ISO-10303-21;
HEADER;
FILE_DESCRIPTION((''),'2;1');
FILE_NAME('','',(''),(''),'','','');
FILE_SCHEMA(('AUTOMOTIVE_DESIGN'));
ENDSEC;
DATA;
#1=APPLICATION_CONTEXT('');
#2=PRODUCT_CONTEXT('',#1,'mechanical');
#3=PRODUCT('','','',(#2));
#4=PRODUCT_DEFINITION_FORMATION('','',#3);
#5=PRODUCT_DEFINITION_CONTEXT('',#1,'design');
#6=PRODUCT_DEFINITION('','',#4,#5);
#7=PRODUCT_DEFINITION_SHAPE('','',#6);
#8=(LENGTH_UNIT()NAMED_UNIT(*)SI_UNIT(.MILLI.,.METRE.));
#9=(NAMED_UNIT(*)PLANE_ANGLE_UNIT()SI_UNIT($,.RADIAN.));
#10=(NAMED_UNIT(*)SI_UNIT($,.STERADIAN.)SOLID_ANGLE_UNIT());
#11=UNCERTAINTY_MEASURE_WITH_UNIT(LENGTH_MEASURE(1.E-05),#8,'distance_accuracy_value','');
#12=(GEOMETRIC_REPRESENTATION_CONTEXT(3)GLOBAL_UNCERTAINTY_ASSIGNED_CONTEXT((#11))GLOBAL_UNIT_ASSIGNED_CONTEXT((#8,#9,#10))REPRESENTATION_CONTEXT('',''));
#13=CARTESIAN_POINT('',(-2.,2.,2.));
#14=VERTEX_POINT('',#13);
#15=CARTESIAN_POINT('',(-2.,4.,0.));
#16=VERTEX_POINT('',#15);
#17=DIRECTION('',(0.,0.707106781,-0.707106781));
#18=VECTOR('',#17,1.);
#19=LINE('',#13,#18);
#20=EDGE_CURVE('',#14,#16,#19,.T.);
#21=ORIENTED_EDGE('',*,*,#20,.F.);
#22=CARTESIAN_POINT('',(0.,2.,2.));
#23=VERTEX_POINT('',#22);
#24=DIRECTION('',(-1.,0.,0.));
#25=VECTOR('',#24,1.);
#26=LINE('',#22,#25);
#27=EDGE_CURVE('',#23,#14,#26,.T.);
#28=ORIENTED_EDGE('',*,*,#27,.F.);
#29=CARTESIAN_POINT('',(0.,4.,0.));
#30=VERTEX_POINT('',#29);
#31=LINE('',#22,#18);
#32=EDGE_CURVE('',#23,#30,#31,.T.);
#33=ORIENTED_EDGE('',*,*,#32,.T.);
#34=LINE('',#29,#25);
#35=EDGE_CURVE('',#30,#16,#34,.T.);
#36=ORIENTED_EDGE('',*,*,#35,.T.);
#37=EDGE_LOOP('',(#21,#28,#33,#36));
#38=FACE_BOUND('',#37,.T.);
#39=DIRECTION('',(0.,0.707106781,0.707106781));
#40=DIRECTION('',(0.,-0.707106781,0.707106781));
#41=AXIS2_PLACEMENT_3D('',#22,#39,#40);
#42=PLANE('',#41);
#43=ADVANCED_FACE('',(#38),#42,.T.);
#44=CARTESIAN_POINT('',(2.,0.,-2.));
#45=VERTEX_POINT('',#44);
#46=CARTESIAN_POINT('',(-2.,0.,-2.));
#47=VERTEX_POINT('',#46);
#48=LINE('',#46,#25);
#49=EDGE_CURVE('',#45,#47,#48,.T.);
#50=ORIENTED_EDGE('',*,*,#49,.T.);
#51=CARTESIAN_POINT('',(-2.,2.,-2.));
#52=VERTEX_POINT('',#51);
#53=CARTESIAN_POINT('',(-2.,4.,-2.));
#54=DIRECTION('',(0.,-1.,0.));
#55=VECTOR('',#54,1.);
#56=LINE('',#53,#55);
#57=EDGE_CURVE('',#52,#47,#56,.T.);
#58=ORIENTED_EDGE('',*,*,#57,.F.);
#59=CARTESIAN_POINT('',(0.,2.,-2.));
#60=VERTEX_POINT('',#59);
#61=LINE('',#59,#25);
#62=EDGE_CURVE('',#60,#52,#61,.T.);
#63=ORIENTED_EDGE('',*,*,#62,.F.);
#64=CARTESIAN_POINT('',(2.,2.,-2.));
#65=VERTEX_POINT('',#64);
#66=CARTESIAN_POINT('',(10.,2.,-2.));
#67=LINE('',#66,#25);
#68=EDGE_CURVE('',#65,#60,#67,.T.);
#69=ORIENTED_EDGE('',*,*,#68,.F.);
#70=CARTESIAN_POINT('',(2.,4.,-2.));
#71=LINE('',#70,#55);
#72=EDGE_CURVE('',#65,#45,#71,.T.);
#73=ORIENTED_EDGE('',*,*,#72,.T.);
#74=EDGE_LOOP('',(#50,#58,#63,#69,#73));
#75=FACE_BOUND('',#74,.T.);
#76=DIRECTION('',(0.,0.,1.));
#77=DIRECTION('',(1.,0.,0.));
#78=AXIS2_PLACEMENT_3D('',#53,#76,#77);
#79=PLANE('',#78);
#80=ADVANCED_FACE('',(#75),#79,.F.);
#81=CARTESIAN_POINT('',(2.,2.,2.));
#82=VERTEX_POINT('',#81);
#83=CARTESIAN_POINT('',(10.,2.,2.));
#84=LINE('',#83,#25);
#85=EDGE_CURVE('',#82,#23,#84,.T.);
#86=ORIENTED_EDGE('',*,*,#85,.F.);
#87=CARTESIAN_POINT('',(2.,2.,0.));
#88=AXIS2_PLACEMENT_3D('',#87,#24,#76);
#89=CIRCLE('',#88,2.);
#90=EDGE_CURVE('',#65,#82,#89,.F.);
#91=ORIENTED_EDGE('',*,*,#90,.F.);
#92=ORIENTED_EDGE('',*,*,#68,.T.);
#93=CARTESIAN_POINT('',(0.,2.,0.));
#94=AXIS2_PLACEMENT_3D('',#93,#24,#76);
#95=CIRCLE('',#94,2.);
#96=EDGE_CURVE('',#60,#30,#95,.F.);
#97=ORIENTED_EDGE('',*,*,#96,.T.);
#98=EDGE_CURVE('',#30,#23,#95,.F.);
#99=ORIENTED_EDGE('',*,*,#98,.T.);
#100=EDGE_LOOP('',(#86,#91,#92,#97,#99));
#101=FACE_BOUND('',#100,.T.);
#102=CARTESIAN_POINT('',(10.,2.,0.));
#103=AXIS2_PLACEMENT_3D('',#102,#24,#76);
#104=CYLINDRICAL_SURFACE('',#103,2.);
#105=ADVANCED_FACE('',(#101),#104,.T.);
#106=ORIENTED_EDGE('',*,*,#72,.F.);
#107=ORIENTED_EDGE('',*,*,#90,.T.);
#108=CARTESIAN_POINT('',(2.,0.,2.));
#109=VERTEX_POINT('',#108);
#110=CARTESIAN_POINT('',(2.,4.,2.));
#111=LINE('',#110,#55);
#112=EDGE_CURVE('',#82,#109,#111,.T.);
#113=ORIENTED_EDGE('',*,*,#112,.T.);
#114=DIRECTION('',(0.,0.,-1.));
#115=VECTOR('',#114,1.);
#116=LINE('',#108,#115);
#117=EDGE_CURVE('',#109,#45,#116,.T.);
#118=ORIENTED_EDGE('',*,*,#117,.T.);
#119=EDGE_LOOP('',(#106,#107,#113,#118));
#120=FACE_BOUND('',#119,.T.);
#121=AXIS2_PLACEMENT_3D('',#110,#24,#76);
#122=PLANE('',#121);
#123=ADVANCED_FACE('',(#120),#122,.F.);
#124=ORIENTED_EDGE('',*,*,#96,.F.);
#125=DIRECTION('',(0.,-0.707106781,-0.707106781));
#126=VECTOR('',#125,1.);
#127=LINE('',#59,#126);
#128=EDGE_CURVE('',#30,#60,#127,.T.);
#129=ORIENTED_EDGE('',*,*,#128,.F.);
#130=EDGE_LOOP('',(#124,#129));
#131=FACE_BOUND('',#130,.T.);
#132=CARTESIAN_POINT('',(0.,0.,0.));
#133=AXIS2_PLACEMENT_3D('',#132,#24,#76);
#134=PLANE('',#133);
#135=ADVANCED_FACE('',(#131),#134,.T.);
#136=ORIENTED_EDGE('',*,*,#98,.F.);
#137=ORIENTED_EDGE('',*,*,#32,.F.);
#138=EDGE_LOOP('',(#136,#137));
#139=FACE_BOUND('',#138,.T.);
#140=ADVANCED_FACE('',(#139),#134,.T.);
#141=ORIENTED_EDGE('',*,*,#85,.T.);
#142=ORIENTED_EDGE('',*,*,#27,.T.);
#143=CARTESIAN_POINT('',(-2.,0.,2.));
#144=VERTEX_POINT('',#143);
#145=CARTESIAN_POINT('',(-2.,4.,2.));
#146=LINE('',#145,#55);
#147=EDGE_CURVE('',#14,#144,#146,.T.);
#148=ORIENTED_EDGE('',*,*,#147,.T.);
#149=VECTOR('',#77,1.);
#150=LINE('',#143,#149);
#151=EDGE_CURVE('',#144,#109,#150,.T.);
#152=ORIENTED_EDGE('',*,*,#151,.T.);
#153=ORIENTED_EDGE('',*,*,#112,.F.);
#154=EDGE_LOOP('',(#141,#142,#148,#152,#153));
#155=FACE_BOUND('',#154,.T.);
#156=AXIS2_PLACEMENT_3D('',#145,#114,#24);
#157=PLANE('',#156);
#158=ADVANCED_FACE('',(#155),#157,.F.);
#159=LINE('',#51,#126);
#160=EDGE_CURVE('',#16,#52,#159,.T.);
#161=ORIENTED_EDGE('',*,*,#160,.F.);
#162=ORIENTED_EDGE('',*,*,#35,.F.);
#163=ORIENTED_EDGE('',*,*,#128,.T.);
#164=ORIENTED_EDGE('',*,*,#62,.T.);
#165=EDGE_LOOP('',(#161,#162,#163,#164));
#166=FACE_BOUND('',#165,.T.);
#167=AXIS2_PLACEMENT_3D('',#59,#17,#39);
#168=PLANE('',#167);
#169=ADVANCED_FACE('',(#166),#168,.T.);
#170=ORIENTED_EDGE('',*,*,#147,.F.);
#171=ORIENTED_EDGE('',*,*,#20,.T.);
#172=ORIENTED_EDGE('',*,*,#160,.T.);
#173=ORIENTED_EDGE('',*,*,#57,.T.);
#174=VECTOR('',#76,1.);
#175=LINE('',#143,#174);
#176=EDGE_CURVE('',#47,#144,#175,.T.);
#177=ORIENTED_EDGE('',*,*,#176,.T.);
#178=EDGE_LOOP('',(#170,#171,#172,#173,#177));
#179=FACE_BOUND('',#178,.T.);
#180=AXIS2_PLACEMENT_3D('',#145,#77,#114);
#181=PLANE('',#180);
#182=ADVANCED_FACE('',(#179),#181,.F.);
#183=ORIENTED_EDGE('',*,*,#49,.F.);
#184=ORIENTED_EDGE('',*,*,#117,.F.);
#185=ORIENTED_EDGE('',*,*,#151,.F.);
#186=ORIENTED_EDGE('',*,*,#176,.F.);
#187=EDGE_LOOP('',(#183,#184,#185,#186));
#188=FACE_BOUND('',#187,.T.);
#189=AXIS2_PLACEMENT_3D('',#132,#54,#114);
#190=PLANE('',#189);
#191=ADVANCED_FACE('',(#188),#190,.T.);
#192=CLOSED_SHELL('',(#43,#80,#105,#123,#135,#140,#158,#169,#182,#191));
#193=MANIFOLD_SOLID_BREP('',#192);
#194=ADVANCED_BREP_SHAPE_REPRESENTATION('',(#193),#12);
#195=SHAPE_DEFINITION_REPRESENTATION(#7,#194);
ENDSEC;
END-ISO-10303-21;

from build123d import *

# Parameters (mm, degrees)
SKETCH1_W           = 4
SKETCH1_H           = 4
BOSS_EXTRUDE1_DEPTH = 4
CUT_EXTRUDE1_DEPTH  = 2
CUT_EXTRUDE2_DEPTH  = 10


with BuildPart() as part:
    # Sketch1 → Boss-Extrude1 (new body)
    with BuildSketch(Plane(origin=(0, 0, 0), x_dir=(1, 0, 0), z_dir=(0, 1, 0))):
        Rectangle(SKETCH1_W, SKETCH1_H)
    extrude(amount=BOSS_EXTRUDE1_DEPTH)

    # Sketch2 → Cut-Extrude1 (cut)
    with BuildSketch(Plane.ZY.offset(2)):
        Polygon((-2, 2), (0, 4), (-2, 4), align=None)
        Polygon((0, 4), (2, 2), (2, 4), align=None)
    extrude(amount=-CUT_EXTRUDE1_DEPTH, mode=Mode.SUBTRACT)

    # Sketch3 → Cut-Extrude2 (cut)
    with BuildSketch(Plane.ZY):
        with BuildLine():
            ThreePointArc((-2, 2), (-1.414213562, 3.414213562), (0, 4))
            Line((0, 4), (-2, 4))
            Line((-2, 4), (-2, 2))
        make_face()
        with BuildLine():
            Line((2, 4), (0, 4))
            ThreePointArc((0, 4), (1.414213562, 3.414213562), (2, 2))
            Line((2, 2), (2, 4))
        make_face()
    extrude(amount=-CUT_EXTRUDE2_DEPTH, mode=Mode.SUBTRACT)


solid = part.part
